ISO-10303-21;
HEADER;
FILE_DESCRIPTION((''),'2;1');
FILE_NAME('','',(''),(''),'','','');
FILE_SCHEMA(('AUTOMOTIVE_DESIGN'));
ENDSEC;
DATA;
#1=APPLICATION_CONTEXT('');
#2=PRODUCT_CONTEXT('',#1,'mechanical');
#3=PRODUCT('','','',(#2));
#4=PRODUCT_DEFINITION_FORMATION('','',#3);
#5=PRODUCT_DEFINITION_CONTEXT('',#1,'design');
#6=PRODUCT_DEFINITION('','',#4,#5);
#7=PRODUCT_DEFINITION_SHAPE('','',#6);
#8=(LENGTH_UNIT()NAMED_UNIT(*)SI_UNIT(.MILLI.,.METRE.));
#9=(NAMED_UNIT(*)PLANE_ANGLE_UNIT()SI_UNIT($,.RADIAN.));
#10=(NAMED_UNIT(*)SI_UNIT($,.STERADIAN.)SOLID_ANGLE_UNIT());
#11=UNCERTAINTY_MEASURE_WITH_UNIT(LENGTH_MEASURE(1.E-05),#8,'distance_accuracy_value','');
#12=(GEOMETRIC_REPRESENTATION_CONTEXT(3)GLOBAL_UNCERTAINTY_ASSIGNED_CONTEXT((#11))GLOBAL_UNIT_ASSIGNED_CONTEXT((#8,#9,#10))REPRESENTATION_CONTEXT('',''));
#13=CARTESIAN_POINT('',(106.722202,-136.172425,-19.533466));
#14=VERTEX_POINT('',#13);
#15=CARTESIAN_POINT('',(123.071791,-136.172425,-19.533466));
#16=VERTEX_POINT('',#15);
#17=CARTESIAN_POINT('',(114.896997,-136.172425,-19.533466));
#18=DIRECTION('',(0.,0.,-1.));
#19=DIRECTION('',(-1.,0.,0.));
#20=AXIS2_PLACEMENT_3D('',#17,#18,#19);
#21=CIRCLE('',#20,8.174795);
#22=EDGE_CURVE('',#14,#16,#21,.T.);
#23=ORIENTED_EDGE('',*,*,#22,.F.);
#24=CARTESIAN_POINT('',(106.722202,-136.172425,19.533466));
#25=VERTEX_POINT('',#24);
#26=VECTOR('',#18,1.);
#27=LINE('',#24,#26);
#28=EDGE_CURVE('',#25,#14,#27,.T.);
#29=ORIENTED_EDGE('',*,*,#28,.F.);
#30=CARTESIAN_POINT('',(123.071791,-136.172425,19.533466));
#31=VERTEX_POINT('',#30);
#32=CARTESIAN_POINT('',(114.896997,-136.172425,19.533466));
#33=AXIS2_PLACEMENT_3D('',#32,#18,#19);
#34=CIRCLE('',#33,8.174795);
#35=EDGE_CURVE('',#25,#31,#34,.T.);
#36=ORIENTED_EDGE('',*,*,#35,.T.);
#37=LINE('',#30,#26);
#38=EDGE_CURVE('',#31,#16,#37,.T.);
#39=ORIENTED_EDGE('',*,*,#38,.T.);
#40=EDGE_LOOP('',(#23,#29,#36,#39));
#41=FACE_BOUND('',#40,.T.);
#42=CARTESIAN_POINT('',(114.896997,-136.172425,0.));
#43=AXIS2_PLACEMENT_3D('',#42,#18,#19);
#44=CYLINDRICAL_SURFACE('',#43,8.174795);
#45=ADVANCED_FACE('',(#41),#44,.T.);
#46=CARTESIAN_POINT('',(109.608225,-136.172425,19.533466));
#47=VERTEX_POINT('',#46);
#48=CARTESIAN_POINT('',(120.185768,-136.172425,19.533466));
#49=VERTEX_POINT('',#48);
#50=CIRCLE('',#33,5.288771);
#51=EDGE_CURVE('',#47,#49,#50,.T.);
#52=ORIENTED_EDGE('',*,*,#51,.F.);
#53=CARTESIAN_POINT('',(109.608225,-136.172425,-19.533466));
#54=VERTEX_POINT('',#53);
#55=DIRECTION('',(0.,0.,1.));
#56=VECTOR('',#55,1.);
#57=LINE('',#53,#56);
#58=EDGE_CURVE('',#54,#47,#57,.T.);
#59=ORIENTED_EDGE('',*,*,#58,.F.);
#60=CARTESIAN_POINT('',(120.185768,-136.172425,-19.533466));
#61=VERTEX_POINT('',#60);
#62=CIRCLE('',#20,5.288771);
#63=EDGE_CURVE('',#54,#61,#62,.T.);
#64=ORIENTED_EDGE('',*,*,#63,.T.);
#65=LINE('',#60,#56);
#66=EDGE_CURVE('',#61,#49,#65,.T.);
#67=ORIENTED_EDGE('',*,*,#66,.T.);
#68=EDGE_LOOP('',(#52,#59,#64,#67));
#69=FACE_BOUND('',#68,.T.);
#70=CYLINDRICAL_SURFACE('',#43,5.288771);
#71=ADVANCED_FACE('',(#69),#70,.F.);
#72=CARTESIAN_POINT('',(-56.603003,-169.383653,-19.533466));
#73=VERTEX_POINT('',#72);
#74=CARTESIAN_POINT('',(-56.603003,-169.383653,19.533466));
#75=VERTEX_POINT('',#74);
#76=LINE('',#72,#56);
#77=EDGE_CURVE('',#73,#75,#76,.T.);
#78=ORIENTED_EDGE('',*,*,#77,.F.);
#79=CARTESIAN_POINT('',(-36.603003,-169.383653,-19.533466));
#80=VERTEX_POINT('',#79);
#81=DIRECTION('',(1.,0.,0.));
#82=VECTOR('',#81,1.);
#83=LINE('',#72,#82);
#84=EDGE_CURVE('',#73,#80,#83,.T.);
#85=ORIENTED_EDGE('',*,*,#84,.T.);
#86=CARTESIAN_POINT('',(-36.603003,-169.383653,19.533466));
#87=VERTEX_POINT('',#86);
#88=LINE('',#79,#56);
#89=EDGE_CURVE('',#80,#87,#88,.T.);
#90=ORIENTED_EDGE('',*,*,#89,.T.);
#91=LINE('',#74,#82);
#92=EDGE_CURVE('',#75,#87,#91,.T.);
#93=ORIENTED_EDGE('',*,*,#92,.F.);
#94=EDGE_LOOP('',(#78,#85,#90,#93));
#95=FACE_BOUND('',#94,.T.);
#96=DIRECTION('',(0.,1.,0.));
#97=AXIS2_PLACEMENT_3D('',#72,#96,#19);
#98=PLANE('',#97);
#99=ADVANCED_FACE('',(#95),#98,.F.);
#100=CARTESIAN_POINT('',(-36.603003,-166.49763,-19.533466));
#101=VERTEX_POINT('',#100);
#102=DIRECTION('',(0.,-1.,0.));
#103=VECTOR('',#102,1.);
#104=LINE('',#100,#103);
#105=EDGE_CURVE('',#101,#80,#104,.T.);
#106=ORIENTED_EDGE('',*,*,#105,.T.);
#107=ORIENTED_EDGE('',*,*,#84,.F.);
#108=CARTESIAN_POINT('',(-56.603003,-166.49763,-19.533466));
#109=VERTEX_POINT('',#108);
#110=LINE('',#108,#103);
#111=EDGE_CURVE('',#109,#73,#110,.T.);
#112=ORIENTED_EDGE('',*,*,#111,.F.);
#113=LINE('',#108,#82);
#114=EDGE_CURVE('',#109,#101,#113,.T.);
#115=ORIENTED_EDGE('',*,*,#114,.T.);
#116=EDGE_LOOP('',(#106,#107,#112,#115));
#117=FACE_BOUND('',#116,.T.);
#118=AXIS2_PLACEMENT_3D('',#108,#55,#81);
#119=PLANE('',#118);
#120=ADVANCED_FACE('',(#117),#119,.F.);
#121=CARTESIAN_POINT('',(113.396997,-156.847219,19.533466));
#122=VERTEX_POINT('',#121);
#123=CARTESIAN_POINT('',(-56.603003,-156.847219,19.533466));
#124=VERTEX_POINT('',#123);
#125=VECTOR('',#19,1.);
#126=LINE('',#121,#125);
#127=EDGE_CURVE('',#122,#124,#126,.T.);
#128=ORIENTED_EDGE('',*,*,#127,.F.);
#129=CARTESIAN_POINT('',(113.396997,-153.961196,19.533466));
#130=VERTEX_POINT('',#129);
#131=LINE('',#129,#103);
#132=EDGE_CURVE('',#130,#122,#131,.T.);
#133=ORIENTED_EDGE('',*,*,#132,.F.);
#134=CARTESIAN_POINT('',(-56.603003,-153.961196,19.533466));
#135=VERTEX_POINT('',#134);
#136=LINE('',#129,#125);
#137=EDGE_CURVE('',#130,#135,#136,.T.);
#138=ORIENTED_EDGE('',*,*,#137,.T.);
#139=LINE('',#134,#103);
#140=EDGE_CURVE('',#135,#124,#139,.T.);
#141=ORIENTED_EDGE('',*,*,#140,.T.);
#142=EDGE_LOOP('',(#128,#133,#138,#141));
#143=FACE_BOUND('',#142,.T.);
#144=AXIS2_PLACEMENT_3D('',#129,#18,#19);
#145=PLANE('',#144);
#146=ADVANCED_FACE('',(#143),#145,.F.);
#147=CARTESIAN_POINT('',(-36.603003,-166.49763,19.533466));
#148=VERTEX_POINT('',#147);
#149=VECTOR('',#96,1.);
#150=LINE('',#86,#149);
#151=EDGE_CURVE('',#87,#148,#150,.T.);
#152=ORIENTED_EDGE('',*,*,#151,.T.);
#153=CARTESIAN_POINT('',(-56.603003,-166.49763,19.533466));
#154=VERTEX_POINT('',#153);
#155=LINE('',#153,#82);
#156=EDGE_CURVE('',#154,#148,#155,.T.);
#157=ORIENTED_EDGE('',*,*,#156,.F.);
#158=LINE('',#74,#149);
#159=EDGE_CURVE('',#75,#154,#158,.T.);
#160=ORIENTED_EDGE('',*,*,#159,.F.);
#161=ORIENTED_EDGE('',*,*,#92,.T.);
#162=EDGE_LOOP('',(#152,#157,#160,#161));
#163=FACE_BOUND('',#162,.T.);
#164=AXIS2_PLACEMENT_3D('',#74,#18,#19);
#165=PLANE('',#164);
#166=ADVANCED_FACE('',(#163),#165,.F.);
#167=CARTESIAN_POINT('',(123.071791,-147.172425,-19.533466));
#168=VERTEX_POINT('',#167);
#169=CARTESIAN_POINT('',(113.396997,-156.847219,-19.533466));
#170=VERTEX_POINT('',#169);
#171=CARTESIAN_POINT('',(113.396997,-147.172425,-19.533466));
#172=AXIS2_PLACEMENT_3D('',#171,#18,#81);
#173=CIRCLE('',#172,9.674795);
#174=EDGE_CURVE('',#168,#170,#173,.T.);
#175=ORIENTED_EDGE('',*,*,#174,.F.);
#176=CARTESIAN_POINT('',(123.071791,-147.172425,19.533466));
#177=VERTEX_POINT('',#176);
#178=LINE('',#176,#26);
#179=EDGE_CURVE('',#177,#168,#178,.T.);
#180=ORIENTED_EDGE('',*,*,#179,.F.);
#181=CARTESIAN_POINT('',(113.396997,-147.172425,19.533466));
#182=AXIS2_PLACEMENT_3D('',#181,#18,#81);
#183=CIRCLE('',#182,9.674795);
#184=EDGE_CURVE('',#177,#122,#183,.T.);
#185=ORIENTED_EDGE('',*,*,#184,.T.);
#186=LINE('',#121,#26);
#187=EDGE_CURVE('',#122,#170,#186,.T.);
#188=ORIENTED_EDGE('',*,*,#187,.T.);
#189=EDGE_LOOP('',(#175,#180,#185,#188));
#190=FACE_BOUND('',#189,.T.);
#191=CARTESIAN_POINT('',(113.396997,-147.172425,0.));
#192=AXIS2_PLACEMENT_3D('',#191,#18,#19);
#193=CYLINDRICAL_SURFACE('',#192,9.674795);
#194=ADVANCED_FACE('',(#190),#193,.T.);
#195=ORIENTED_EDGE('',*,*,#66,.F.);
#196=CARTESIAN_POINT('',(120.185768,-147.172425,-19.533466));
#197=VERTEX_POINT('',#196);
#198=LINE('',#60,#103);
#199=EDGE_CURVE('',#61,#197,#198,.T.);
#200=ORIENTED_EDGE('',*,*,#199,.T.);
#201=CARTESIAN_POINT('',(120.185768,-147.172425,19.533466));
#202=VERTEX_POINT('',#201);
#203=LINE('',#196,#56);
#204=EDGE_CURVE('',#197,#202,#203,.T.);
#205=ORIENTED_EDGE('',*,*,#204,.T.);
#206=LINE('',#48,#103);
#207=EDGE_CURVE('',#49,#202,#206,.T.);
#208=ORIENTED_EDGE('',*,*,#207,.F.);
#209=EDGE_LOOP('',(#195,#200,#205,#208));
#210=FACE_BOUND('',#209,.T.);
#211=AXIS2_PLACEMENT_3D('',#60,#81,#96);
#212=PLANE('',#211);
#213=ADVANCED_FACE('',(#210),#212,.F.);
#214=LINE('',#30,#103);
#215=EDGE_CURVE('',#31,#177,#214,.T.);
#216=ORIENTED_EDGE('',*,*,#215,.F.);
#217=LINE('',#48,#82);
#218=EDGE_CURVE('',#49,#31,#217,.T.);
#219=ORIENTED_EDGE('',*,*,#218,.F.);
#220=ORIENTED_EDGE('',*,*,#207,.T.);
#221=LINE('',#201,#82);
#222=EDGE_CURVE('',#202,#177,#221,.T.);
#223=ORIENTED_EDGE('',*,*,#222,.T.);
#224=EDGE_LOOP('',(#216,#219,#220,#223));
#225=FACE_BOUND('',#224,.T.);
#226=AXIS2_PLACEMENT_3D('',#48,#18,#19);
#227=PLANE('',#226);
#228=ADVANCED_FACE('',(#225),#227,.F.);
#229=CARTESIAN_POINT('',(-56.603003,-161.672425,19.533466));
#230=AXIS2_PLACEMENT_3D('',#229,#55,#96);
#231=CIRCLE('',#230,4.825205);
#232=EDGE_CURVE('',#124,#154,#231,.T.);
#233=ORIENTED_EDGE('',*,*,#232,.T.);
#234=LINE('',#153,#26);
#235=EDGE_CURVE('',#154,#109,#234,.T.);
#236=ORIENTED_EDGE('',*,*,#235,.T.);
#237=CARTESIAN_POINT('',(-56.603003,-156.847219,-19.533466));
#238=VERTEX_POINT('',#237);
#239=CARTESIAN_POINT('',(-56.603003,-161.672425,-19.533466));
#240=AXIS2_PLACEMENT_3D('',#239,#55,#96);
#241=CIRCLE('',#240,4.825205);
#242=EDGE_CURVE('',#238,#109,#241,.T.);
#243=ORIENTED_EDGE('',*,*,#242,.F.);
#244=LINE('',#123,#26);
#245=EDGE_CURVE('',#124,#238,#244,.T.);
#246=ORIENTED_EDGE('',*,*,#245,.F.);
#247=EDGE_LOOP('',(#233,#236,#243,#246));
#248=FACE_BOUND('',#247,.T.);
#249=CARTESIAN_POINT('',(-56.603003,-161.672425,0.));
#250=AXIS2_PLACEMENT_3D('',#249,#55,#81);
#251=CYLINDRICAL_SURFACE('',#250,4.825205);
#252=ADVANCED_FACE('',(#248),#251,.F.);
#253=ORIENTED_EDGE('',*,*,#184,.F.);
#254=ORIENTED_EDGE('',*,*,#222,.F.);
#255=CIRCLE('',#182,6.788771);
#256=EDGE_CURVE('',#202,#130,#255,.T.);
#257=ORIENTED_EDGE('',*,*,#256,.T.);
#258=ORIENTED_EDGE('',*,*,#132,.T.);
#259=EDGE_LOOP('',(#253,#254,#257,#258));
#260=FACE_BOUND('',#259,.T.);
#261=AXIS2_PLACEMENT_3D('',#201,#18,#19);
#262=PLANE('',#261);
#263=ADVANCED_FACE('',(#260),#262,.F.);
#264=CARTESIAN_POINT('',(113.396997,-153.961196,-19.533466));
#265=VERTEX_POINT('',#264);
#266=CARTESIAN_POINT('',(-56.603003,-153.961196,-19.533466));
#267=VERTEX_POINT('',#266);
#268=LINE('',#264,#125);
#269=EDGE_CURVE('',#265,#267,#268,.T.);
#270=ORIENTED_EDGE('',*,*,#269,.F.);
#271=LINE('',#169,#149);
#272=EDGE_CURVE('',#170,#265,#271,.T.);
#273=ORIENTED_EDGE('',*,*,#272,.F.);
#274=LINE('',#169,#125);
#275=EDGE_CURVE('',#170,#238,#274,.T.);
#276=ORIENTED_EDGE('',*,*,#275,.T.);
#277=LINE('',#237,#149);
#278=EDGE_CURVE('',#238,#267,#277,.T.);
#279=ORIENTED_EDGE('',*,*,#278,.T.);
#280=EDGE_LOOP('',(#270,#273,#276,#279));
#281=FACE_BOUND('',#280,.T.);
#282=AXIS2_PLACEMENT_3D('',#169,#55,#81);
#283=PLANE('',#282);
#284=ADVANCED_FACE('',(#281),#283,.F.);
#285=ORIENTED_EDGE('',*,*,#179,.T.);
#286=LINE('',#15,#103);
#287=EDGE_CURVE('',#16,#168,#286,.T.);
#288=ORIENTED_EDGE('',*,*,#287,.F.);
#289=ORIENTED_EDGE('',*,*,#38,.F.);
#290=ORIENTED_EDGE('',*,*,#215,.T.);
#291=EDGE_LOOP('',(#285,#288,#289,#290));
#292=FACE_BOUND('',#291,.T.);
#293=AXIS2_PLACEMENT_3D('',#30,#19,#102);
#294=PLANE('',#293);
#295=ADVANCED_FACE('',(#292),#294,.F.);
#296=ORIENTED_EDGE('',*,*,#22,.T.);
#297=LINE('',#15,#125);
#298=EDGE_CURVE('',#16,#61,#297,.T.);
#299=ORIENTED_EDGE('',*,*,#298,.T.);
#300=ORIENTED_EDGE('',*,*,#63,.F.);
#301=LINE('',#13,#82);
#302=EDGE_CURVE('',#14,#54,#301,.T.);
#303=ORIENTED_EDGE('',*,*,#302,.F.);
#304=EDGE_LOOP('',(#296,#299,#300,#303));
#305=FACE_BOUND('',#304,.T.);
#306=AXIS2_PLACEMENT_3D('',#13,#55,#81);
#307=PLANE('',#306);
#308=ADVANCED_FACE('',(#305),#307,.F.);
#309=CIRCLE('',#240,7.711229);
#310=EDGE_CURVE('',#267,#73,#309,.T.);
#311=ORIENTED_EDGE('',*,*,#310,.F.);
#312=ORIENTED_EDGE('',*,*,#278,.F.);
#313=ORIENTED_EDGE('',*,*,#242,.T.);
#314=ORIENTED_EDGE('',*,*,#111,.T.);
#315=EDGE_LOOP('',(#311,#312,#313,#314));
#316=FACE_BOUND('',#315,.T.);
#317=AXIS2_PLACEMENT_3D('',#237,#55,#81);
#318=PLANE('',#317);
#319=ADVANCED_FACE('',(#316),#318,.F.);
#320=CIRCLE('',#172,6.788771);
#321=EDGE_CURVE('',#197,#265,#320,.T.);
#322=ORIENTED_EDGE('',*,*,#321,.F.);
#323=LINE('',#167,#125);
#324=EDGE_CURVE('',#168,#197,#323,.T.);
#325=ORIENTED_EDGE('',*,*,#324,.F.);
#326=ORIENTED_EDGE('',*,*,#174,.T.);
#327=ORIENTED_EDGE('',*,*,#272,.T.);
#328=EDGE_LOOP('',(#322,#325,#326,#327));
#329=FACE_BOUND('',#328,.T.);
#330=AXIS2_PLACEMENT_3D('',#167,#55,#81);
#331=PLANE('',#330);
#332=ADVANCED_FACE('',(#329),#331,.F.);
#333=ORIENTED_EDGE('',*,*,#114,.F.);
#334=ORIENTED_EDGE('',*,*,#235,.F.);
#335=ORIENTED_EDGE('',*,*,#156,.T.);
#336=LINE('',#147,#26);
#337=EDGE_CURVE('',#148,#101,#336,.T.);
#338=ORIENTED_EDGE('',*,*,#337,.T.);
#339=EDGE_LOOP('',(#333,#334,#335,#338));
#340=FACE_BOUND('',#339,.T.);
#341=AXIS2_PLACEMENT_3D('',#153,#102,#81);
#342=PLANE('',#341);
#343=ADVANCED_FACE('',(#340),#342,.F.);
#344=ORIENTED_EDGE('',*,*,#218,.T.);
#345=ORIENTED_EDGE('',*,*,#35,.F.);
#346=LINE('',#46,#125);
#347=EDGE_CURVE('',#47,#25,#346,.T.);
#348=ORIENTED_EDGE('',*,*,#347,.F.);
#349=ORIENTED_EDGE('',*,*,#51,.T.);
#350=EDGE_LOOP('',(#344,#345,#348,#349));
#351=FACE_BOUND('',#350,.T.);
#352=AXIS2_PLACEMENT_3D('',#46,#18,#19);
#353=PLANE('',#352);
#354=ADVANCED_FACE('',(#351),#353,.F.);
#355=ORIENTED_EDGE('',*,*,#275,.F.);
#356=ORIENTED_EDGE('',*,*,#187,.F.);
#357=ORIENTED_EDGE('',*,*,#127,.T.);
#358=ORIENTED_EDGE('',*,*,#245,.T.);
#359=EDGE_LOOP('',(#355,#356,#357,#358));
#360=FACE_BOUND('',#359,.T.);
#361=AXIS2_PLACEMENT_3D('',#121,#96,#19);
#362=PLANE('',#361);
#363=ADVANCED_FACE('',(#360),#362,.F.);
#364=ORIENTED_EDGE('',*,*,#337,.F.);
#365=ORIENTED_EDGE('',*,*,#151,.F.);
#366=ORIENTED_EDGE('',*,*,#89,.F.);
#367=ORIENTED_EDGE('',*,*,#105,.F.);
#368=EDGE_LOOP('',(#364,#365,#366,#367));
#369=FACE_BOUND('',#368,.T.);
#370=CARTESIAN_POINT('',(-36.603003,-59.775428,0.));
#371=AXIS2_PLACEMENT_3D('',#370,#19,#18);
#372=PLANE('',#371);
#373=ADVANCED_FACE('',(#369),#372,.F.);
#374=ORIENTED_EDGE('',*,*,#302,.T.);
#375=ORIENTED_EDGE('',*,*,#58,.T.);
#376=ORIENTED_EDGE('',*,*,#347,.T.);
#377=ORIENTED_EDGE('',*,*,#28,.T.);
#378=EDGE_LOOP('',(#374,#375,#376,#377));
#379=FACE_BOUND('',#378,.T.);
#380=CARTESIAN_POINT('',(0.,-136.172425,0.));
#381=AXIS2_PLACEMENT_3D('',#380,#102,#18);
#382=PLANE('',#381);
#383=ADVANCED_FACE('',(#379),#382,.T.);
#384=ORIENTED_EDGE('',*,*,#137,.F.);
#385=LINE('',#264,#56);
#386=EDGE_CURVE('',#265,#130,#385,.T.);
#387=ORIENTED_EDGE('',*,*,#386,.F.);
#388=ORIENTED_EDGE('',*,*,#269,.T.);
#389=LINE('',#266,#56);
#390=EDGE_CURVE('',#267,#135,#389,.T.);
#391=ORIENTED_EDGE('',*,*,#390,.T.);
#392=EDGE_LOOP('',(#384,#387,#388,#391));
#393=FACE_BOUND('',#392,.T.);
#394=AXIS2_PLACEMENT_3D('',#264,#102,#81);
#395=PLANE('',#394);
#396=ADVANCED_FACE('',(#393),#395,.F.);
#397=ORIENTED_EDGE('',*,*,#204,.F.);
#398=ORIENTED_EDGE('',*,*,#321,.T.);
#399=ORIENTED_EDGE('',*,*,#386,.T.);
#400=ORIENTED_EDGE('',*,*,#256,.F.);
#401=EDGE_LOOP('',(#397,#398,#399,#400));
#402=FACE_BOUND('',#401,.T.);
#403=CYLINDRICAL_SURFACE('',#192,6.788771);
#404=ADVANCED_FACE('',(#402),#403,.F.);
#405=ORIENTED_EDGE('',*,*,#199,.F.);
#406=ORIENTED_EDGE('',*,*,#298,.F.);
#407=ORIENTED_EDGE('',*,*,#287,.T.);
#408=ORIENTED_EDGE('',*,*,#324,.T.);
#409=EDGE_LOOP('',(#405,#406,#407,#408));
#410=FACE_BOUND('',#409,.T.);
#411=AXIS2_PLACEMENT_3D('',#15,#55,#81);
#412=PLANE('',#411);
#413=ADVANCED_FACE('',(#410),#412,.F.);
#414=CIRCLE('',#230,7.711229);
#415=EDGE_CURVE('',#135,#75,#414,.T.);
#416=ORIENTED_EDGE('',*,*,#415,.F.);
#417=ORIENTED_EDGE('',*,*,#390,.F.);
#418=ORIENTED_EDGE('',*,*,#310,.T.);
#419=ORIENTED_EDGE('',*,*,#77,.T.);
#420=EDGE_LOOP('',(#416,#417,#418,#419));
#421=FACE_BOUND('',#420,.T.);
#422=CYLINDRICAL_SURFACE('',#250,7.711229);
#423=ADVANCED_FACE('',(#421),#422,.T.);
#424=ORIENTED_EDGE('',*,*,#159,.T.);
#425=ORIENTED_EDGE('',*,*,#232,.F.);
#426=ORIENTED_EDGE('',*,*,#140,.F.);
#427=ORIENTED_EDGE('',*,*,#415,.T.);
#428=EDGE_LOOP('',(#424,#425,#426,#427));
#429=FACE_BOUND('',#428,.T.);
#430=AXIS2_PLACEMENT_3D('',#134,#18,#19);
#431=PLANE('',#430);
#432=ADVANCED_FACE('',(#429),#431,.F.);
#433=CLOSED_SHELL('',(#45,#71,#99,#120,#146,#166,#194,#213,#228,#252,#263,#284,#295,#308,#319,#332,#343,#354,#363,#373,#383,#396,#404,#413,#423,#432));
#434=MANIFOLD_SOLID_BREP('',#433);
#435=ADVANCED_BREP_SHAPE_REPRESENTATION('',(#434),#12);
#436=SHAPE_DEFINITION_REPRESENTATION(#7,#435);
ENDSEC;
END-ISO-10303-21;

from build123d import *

# Parameters (mm, degrees)
SKETCH3_W = 2.886023393
SKETCH3_H = 39.066932482


with BuildPart() as part:
    # Sweep2: sweep along a path in Sketch1
    with BuildLine(Plane.XY) as sweep2_path:
        Line((-36.603003432, -168.172424508), (-56.603003432, -168.172424508))
        ThreePointArc((-56.603003432, -168.172424508), (-63.103003432, -161.672424508), (-56.603003432, -155.172424508))
        Line((-56.603003432, -155.172424508), (113.396996568, -155.172424508))
        ThreePointArc((113.396996568, -155.172424508), (119.053850818, -152.829278757), (121.396996568, -147.172424508))
        Line((121.396996568, -147.172424508), (121.396996568, -136.172424508))
        ThreePointArc((121.396996568, -136.172424508), (114.896996568, -129.672424508), (108.396996568, -136.172424508))
    # Sketch3 → Sweep2 (sweep)
    with BuildSketch(Plane(origin=(108.396996568, -136.172424508, 0), x_dir=(-1, 0, 0), z_dir=(0, -1, 0))):
        with Locations((0.231782983, 0)):
            Rectangle(SKETCH3_W, SKETCH3_H)
    sweep(path=sweep2_path.line)


solid = part.part
